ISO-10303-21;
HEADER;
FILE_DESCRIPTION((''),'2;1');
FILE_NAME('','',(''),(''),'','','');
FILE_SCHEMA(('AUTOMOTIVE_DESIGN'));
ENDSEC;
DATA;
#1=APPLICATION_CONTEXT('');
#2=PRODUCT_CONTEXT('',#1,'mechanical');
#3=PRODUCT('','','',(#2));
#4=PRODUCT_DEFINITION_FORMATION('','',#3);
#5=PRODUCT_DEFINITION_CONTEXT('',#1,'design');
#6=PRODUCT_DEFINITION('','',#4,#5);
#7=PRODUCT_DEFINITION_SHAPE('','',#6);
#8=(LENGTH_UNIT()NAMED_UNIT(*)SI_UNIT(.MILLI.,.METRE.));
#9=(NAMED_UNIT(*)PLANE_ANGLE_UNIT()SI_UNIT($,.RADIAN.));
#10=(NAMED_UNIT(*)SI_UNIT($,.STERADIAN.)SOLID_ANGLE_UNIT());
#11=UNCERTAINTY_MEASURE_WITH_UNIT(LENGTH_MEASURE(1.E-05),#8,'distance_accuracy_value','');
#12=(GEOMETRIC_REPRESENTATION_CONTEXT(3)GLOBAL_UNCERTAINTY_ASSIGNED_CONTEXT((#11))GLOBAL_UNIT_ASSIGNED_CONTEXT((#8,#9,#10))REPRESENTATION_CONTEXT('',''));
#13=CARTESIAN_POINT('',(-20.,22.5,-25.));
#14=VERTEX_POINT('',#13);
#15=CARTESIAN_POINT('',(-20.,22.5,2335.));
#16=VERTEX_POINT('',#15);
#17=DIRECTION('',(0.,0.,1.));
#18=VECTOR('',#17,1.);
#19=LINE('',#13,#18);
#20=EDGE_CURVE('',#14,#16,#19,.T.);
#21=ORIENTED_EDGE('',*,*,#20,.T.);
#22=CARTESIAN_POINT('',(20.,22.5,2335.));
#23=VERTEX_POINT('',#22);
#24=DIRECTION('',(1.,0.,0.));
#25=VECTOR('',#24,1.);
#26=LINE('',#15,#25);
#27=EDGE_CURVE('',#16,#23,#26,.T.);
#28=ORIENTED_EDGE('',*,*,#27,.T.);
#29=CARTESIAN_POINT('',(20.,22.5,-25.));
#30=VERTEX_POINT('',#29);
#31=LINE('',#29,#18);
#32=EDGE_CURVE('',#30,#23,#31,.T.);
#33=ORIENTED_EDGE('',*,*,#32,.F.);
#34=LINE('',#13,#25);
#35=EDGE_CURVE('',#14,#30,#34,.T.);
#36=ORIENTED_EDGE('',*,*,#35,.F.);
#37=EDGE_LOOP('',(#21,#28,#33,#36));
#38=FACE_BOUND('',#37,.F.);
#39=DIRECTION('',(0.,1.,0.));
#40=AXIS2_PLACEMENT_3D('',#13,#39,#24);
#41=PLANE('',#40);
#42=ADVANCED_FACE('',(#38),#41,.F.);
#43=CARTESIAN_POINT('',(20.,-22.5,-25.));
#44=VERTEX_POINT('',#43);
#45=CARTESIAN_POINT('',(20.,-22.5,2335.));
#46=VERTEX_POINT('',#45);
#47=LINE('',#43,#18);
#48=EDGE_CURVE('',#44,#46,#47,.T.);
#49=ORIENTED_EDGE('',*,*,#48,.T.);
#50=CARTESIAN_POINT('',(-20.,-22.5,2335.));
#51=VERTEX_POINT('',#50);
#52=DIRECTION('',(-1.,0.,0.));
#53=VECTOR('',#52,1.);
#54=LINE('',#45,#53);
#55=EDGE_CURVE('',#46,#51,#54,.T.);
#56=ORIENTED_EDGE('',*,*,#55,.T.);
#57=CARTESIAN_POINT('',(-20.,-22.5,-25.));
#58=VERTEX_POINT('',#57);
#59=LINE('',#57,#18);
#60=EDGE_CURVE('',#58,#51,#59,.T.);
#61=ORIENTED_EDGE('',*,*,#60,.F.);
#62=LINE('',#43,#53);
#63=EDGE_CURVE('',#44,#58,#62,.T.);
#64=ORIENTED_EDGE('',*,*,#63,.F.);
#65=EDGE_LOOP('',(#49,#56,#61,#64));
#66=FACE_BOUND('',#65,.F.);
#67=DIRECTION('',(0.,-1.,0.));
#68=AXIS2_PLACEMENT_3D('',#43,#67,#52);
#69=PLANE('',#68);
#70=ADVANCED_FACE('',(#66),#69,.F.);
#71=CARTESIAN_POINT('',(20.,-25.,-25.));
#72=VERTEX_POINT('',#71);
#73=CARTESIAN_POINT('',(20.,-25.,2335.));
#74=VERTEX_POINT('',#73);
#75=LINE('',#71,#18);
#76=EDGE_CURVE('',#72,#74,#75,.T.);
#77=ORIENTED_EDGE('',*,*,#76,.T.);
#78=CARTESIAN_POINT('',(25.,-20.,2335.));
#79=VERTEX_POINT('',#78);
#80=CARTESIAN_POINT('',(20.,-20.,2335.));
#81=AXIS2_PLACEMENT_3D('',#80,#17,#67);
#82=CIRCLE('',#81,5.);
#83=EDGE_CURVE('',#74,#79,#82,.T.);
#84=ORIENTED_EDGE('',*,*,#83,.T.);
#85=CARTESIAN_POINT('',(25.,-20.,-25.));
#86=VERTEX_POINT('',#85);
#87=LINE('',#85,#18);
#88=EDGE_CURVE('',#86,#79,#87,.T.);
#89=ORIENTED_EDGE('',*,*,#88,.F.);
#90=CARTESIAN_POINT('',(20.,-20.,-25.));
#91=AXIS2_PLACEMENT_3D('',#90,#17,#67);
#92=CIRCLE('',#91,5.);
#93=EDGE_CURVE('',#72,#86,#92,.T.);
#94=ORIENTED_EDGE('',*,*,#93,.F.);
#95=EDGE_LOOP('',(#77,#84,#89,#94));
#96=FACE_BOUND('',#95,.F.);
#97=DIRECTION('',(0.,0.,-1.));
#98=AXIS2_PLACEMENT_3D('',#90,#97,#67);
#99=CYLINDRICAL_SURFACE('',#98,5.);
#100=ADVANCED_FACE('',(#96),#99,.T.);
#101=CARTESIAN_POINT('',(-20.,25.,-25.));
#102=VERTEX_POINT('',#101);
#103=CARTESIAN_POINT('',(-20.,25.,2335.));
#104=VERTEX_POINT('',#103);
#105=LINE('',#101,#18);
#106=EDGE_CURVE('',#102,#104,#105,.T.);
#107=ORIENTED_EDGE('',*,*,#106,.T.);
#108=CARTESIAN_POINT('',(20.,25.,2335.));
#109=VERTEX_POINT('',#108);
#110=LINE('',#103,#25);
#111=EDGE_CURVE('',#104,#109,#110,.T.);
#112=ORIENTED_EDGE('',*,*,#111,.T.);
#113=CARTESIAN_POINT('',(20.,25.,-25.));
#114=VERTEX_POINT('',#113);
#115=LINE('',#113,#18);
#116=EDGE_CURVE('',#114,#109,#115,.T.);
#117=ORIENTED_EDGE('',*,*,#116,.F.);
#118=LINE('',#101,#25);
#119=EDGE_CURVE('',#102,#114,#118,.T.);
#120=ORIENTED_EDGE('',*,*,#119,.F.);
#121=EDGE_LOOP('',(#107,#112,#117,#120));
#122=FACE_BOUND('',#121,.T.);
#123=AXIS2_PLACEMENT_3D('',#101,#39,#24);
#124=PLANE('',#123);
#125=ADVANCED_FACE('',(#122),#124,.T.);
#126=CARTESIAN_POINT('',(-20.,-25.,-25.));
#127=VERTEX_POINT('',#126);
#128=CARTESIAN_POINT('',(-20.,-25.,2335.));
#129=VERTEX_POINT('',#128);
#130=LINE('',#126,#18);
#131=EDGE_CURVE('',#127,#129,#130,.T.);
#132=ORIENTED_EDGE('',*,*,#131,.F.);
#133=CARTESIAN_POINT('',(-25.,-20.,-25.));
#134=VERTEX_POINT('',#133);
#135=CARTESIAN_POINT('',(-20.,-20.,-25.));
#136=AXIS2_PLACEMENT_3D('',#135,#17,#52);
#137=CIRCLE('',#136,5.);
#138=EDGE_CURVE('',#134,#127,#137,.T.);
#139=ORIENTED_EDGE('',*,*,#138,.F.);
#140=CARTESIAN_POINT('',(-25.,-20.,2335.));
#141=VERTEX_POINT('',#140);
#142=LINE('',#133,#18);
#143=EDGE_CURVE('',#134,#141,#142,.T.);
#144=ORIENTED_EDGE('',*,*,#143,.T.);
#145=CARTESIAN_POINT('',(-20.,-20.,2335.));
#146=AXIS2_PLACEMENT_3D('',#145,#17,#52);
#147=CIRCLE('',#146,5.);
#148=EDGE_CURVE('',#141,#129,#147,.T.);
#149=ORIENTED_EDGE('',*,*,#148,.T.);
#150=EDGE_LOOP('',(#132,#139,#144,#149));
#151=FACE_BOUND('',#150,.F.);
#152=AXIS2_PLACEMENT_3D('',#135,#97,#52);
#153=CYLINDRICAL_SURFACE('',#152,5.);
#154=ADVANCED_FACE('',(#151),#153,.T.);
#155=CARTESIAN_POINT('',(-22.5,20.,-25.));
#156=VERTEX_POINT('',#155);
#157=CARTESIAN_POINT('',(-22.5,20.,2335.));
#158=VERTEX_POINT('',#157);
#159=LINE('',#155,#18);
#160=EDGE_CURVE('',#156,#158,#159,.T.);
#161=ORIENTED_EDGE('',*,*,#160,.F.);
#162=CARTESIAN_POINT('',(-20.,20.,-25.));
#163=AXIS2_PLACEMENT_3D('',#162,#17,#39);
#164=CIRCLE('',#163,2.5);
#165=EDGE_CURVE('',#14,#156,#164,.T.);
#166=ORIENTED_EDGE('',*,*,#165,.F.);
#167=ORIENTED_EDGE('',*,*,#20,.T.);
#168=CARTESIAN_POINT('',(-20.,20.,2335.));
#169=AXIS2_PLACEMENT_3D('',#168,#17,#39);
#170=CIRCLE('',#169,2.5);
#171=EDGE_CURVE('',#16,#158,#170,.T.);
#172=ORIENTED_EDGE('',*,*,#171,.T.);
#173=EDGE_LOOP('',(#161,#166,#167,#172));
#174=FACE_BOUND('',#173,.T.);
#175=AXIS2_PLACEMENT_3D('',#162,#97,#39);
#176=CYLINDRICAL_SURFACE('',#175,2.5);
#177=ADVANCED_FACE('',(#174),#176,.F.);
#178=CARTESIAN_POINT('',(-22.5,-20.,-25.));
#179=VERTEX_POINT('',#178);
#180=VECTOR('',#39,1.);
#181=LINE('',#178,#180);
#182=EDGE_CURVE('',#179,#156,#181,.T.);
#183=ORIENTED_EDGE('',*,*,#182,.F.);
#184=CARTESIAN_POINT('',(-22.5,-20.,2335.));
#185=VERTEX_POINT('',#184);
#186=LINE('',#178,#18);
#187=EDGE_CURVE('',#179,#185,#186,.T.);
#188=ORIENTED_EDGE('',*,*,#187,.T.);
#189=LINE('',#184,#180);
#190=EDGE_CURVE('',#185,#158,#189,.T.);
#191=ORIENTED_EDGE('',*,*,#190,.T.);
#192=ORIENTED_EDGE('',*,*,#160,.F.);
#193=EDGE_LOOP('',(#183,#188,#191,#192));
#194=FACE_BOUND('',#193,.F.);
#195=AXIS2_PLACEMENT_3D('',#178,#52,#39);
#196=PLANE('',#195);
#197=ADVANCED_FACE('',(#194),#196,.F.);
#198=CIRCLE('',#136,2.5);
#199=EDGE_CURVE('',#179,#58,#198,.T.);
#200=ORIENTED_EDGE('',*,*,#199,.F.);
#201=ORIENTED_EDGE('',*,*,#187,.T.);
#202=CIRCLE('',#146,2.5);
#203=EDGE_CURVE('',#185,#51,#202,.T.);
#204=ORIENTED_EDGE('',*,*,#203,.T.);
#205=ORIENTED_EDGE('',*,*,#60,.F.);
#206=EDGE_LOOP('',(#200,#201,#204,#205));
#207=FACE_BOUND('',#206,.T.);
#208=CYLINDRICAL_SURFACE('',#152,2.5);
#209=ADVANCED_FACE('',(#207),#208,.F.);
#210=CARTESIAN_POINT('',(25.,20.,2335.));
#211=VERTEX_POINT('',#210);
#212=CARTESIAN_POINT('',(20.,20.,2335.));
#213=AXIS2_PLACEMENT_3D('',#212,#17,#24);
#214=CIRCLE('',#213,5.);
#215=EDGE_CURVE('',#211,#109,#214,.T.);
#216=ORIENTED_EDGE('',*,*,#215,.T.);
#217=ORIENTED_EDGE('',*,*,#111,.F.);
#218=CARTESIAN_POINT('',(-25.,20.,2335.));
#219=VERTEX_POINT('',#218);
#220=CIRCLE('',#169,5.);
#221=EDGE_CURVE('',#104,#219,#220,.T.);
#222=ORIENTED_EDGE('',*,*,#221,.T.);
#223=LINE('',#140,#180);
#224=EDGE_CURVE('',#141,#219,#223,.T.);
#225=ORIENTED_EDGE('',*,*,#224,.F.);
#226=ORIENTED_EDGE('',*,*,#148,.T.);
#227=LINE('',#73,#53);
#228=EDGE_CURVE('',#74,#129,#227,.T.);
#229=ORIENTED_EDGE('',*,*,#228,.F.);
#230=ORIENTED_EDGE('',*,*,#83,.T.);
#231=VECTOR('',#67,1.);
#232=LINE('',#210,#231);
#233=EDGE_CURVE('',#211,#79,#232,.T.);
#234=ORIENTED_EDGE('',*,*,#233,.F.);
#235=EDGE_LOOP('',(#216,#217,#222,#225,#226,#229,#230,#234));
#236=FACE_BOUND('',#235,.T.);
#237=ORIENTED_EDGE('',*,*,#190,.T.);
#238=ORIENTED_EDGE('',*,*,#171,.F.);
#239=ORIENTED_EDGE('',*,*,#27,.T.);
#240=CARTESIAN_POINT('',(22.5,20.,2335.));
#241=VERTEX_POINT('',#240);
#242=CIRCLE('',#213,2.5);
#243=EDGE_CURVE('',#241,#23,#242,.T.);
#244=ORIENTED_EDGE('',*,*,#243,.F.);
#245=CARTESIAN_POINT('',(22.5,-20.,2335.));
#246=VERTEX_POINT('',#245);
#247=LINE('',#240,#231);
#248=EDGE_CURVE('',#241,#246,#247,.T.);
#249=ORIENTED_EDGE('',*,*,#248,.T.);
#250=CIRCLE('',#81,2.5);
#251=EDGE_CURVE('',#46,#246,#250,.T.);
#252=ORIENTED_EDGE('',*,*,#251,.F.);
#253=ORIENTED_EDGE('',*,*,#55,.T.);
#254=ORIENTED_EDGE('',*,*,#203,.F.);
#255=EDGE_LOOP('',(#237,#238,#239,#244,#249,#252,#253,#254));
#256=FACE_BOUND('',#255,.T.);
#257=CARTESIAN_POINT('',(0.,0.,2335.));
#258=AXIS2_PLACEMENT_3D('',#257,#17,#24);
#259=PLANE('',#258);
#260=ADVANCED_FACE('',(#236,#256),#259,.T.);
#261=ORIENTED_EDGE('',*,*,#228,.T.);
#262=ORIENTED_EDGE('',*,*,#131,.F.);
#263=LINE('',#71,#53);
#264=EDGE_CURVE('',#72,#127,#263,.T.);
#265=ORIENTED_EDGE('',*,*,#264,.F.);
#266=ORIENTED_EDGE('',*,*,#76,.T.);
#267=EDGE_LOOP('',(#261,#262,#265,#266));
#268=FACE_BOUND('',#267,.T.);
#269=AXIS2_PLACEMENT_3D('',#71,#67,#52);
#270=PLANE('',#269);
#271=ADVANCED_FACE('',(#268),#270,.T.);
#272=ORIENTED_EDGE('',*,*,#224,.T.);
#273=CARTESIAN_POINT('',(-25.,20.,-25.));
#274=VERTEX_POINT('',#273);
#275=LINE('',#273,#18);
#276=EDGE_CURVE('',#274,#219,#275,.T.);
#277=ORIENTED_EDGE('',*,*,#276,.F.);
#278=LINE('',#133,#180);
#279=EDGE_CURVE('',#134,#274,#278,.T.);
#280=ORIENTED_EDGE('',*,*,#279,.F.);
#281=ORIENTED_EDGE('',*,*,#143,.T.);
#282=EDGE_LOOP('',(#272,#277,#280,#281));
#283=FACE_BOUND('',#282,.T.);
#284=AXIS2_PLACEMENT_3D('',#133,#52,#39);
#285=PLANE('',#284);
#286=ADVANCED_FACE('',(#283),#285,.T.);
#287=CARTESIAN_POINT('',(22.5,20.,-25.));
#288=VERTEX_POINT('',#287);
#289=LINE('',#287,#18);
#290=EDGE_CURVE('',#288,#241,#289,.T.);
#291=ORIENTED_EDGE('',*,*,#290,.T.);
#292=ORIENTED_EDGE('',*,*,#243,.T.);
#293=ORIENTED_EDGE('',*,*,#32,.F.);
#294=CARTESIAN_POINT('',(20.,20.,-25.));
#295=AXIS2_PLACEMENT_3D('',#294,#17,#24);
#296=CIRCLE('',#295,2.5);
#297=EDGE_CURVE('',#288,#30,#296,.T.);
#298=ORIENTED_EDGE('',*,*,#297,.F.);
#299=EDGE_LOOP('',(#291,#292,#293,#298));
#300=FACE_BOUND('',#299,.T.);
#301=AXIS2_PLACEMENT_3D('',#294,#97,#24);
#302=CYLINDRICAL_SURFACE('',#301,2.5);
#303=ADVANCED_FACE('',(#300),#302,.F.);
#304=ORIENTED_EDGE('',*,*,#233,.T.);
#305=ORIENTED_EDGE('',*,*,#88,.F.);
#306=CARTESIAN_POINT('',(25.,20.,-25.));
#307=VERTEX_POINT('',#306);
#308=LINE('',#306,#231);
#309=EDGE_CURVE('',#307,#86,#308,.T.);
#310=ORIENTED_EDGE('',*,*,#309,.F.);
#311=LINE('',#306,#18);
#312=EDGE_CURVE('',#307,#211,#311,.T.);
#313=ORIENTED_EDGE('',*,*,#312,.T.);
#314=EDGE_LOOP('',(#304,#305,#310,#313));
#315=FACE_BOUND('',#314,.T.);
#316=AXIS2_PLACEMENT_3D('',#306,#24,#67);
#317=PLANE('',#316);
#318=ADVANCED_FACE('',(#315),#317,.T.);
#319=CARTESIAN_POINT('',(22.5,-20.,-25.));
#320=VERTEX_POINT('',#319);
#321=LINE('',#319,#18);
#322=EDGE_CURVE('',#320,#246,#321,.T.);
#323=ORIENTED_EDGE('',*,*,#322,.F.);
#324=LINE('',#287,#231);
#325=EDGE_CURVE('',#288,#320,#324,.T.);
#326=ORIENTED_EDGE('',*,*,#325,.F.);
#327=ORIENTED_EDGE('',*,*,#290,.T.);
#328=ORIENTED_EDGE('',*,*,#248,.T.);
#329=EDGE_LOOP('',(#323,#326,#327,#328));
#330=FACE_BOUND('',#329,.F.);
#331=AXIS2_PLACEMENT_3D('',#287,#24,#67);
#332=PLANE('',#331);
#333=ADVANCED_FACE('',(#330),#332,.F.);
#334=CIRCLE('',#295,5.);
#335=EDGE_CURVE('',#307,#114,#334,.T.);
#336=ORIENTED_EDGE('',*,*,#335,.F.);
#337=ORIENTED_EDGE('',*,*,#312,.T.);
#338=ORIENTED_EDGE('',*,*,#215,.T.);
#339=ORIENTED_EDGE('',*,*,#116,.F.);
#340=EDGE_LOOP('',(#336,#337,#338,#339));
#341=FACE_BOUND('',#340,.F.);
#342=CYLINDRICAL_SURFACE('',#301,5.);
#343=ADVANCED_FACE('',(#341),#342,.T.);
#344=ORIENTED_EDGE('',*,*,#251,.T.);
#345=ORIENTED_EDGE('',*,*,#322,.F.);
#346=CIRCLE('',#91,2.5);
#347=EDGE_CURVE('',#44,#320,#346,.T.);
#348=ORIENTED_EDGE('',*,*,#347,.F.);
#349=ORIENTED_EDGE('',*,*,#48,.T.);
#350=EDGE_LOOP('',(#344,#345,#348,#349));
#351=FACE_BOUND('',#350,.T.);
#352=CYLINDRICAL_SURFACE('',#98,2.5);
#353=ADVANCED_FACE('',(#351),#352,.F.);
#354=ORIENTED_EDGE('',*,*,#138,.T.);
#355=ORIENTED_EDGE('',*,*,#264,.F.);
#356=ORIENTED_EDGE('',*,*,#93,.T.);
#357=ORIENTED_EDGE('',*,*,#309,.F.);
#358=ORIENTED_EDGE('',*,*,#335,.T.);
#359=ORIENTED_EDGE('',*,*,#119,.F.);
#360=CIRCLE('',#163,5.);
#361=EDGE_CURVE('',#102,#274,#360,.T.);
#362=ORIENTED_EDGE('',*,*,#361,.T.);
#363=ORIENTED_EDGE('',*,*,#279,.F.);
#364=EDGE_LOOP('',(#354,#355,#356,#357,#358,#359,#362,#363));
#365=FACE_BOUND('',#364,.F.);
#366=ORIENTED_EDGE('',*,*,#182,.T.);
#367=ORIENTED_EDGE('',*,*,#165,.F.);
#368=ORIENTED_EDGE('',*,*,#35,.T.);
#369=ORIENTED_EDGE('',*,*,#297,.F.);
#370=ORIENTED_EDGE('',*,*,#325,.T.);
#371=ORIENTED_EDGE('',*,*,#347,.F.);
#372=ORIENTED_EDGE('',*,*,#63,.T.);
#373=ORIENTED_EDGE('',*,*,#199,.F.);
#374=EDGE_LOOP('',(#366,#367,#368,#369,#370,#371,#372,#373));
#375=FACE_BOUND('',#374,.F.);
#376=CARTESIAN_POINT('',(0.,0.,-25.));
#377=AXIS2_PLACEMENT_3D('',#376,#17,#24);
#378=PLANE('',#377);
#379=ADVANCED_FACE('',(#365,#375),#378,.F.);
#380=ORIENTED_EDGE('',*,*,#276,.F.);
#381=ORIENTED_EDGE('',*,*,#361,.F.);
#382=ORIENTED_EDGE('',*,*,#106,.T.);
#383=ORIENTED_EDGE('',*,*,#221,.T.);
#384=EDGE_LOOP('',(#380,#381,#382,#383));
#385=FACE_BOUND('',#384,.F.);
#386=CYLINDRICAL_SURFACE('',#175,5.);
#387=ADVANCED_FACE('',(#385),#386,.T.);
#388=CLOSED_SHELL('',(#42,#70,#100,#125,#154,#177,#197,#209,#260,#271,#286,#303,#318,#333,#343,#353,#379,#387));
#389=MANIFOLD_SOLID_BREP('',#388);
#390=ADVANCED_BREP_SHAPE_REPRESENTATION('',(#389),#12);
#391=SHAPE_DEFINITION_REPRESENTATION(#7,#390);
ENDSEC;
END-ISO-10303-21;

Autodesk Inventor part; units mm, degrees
ref_plane "Start plane" through (0, 0, -25) normal (0, 0, 1) x (1, 0, 0)
ref_plane "End plane" through (0, 0, 2335) normal (0, 0, 1) x (1, 0, 0)
sketch "Sketch" plane through (0, 0, 0) normal (0, 0, 1) x (1, 0, 0)
  line L0 (-25, -20) -> (-25, 20)
  line L1 (-20, 25) -> (20, 25)
  line L2 (25, 20) -> (25, -20)
  line L3 (20, -25) -> (-20, -25)
  arc A0 (-25, -20) -> (-20, -25) centre (-20, -20) ccw
  arc A1 (25, 20) -> (20, 25) centre (20, 20) ccw
  arc A2 (-20, 25) -> (-25, 20) centre (-20, 20) ccw
  arc A3 (20, -25) -> (25, -20) centre (20, -20) ccw
  arc A4 (-20, 22.5) -> (-22.5, 20) centre (-20, 20) ccw
  line L4 (-20, 22.5) -> (20, 22.5)
  arc A5 (22.5, 20) -> (20, 22.5) centre (20, 20) ccw
  line L5 (22.5, 20) -> (22.5, -20)
  arc A6 (20, -22.5) -> (22.5, -20) centre (20, -20) ccw
  line L6 (20, -22.5) -> (-20, -22.5)
  arc A7 (-22.5, -20) -> (-20, -22.5) centre (-20, -20) ccw
  line L7 (-22.5, -20) -> (-22.5, 20)
  line L8 (0, 50.7397) -> (0, -50.7397) construction
  line L9 (-50.7397, 0) -> (50.7397, 0) construction
  dimension "d7" = 5
  dimension "d9" = 50
  dimension "d11" = 50
  dimension "d12" = 2.5
  dimension "d15" = 25
  dimension "d16" = 25
extrude "Body" add sketch "Sketch" along normal up to surface (2360 mm away) from surface at -25
sketch "Sketch3" plane through (0, 0, 0) normal (0, 0, 1) x (1, 0, 0)
  line L0 (0, 0) -> (10, 0)
ref_plane "Work Plane3" through (0, 0, 0) normal (0, -1, 0) x (1, 0, 0)
sketch "Sketch4" plane through (0, 0, 0) normal (0, -1, 0) x (1, 0, 0)
  line L0 (-2, -25) -> (12, -25)
  line L1 (-2, 2335) -> (12, 2335)
  dimension "d18" = 2360
ref_plane "Work Plane4" through (0, 21, -25) normal (0, 0, -1) x (-1, 0, 0)
split "Split1" plane through (0, 21, -25) removes the side toward (0, 0, -1)
ref_plane "Work Plane5" through (0, -21, 2335) normal (0, 0, 1) x (1, 0, 0)
split "Split2" plane through (0, -21, 2335) removes the side toward (0, 0, 1)
equation "\"d7\" = G_IR"
equation "\"d9\" = G_W"
equation "\"d11\" = G_H"
equation "\"d12\" = G_T"
equation "\"d15\" = 0.5 * d9"
equation "\"d16\" = 0.5 * d11"
equation "\"d3\" = G_L"
equation "\"G_W\" = 50"
equation "\"G_H\" = 50"
equation "\"G_T\" = 2.5"
equation "\"G_IR\" = 5"
equation "\"G_L\" = d18"
equation "\"G_OFFSET_START\" = 25"
equation "\"G_OFFSET_END\" = 25"
equation "\"d13\" = -G_OFFSET_START"
equation "\"d14\" = G_OFFSET_END + B_L"
equation "\"B_L\" = 2310"
properties part number "ISO 10799-2 - 50x50x2.5 - 2360" material "Steel, Mild"
